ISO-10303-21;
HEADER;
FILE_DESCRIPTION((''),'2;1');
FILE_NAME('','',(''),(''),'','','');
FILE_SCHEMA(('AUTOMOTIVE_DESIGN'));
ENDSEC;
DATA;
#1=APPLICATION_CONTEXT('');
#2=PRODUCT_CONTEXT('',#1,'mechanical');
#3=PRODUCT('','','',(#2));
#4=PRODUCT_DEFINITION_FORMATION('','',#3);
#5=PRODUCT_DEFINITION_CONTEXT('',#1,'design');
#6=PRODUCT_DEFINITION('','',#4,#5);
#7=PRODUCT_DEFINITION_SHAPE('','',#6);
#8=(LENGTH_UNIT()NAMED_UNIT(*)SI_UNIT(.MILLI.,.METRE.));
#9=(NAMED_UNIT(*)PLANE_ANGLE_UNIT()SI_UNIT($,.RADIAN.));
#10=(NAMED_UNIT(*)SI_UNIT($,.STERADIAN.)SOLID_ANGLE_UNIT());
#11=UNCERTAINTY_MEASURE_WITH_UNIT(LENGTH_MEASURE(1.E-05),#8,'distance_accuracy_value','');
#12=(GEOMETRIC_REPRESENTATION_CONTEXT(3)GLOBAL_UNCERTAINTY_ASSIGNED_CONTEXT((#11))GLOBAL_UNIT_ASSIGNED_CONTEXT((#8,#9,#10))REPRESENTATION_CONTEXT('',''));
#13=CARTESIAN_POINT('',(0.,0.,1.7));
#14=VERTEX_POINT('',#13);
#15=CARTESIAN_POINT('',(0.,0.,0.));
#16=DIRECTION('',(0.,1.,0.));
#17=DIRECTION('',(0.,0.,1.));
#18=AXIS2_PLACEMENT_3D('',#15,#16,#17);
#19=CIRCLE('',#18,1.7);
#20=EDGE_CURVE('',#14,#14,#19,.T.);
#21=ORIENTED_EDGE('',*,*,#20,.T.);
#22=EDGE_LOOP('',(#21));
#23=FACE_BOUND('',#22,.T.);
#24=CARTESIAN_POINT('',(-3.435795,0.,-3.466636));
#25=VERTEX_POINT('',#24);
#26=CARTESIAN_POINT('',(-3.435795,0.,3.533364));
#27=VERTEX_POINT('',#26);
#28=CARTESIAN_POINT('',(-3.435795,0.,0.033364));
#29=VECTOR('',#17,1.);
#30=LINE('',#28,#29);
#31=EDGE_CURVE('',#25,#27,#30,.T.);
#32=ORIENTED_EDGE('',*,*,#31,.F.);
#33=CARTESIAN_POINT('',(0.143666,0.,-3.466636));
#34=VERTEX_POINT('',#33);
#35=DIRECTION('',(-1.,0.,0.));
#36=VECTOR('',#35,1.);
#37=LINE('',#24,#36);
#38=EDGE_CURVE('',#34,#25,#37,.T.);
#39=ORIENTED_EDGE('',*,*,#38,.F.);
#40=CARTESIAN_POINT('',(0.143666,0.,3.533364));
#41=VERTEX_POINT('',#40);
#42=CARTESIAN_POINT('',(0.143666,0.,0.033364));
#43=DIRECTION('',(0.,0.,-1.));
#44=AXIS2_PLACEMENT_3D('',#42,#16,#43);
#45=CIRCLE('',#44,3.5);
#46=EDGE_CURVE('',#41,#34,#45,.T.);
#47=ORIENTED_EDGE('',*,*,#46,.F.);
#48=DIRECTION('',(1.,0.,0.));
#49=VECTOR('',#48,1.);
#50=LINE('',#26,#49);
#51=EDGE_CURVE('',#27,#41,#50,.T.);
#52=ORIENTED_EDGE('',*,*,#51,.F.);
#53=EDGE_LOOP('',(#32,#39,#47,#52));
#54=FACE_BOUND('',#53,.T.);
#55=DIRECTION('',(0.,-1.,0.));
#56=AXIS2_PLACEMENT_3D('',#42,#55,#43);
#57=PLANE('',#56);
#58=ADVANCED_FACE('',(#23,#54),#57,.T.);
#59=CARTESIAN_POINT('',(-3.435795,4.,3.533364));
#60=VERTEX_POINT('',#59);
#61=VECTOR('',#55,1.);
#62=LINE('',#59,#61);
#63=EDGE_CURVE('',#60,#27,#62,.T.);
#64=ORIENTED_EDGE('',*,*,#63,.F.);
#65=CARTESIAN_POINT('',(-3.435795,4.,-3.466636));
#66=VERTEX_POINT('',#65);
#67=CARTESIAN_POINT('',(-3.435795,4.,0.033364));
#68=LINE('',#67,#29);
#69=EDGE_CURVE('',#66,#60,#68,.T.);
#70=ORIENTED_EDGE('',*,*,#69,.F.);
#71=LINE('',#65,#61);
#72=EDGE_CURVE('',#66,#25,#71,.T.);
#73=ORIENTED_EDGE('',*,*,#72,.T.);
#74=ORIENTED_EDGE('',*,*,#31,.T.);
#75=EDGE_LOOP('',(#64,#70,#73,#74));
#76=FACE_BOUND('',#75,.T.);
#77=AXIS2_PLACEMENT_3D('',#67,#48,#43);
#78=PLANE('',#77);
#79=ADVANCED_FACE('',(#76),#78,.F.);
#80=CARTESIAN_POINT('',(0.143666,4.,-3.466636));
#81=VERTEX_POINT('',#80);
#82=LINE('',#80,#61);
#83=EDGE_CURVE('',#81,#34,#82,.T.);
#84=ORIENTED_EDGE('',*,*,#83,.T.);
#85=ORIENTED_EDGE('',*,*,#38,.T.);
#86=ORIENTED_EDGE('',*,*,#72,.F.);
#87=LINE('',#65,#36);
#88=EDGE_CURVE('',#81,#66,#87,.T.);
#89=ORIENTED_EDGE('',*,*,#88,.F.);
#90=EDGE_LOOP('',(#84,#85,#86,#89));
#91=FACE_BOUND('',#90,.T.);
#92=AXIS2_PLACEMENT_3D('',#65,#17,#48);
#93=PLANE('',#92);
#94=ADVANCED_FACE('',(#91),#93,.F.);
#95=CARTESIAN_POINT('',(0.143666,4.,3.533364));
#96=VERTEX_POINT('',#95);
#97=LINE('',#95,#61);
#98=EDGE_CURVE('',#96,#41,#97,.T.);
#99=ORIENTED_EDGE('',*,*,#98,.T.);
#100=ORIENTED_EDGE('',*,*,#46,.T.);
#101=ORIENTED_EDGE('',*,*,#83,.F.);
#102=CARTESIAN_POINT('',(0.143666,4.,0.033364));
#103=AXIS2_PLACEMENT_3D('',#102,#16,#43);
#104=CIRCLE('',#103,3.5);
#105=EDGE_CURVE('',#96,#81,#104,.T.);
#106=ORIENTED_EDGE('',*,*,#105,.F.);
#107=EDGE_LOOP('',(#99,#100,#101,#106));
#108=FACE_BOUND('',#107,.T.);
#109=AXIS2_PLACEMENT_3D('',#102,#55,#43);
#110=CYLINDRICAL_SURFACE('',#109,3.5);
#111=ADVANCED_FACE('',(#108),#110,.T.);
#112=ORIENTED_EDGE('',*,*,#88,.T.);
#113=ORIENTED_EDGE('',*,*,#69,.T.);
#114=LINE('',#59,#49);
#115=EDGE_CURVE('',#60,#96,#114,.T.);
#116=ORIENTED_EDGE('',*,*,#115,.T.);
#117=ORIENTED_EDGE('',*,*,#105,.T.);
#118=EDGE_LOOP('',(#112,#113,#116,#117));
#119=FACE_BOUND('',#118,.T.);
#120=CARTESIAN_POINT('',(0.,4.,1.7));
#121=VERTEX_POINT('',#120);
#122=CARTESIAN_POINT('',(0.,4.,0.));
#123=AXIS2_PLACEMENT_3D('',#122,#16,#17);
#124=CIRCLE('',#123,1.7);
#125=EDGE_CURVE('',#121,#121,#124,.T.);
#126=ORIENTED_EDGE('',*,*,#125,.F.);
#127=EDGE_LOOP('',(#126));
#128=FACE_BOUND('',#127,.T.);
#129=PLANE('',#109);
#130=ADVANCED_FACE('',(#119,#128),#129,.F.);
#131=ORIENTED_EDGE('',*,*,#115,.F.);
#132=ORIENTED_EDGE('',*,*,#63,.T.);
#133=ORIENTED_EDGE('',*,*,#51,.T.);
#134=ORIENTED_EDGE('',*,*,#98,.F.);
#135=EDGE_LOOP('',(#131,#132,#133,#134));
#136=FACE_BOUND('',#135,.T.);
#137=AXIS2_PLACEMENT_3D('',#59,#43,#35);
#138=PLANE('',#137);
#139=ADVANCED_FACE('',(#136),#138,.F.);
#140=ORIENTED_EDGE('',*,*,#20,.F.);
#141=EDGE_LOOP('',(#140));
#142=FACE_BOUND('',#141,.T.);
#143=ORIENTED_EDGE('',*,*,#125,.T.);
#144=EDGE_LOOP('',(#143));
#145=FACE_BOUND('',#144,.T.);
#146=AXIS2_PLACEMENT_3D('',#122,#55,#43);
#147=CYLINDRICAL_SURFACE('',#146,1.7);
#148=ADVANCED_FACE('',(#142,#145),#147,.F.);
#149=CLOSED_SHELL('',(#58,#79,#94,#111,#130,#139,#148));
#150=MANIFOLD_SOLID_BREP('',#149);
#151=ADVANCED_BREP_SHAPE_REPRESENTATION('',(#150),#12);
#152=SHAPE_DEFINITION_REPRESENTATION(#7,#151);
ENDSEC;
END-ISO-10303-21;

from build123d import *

# Parameters (mm, degrees)
SKETCH1_R           = 1.7
BOSS_EXTRUDE2_DEPTH = 4


with BuildPart() as part:
    # Sketch1 → Boss-Extrude2 (new body)
    with BuildSketch(Plane(origin=(0, 0, 0), x_dir=(1, 0, 0), z_dir=(0, 1, 0))):
        with BuildLine():
            Line((-3.435794878, -0.033363683), (-3.435794878, 3.466636317))
            Line((-3.435794878, 3.466636317), (0.143666226, 3.466636317))
            ThreePointArc((0.143666226, 3.466636317), (3.643666226, -0.033363683), (0.143666226, -3.533363683))
            Line((0.143666226, -3.533363683), (-3.435794878, -3.533363683))
            Line((-3.435794878, -3.533363683), (-3.435794878, -0.033363683))
        make_face()
        with Locations(Location((0, 0, 0), (0, 0, 270))):
            Circle(SKETCH1_R, mode=Mode.SUBTRACT)
    extrude(amount=BOSS_EXTRUDE2_DEPTH)


solid = part.part
